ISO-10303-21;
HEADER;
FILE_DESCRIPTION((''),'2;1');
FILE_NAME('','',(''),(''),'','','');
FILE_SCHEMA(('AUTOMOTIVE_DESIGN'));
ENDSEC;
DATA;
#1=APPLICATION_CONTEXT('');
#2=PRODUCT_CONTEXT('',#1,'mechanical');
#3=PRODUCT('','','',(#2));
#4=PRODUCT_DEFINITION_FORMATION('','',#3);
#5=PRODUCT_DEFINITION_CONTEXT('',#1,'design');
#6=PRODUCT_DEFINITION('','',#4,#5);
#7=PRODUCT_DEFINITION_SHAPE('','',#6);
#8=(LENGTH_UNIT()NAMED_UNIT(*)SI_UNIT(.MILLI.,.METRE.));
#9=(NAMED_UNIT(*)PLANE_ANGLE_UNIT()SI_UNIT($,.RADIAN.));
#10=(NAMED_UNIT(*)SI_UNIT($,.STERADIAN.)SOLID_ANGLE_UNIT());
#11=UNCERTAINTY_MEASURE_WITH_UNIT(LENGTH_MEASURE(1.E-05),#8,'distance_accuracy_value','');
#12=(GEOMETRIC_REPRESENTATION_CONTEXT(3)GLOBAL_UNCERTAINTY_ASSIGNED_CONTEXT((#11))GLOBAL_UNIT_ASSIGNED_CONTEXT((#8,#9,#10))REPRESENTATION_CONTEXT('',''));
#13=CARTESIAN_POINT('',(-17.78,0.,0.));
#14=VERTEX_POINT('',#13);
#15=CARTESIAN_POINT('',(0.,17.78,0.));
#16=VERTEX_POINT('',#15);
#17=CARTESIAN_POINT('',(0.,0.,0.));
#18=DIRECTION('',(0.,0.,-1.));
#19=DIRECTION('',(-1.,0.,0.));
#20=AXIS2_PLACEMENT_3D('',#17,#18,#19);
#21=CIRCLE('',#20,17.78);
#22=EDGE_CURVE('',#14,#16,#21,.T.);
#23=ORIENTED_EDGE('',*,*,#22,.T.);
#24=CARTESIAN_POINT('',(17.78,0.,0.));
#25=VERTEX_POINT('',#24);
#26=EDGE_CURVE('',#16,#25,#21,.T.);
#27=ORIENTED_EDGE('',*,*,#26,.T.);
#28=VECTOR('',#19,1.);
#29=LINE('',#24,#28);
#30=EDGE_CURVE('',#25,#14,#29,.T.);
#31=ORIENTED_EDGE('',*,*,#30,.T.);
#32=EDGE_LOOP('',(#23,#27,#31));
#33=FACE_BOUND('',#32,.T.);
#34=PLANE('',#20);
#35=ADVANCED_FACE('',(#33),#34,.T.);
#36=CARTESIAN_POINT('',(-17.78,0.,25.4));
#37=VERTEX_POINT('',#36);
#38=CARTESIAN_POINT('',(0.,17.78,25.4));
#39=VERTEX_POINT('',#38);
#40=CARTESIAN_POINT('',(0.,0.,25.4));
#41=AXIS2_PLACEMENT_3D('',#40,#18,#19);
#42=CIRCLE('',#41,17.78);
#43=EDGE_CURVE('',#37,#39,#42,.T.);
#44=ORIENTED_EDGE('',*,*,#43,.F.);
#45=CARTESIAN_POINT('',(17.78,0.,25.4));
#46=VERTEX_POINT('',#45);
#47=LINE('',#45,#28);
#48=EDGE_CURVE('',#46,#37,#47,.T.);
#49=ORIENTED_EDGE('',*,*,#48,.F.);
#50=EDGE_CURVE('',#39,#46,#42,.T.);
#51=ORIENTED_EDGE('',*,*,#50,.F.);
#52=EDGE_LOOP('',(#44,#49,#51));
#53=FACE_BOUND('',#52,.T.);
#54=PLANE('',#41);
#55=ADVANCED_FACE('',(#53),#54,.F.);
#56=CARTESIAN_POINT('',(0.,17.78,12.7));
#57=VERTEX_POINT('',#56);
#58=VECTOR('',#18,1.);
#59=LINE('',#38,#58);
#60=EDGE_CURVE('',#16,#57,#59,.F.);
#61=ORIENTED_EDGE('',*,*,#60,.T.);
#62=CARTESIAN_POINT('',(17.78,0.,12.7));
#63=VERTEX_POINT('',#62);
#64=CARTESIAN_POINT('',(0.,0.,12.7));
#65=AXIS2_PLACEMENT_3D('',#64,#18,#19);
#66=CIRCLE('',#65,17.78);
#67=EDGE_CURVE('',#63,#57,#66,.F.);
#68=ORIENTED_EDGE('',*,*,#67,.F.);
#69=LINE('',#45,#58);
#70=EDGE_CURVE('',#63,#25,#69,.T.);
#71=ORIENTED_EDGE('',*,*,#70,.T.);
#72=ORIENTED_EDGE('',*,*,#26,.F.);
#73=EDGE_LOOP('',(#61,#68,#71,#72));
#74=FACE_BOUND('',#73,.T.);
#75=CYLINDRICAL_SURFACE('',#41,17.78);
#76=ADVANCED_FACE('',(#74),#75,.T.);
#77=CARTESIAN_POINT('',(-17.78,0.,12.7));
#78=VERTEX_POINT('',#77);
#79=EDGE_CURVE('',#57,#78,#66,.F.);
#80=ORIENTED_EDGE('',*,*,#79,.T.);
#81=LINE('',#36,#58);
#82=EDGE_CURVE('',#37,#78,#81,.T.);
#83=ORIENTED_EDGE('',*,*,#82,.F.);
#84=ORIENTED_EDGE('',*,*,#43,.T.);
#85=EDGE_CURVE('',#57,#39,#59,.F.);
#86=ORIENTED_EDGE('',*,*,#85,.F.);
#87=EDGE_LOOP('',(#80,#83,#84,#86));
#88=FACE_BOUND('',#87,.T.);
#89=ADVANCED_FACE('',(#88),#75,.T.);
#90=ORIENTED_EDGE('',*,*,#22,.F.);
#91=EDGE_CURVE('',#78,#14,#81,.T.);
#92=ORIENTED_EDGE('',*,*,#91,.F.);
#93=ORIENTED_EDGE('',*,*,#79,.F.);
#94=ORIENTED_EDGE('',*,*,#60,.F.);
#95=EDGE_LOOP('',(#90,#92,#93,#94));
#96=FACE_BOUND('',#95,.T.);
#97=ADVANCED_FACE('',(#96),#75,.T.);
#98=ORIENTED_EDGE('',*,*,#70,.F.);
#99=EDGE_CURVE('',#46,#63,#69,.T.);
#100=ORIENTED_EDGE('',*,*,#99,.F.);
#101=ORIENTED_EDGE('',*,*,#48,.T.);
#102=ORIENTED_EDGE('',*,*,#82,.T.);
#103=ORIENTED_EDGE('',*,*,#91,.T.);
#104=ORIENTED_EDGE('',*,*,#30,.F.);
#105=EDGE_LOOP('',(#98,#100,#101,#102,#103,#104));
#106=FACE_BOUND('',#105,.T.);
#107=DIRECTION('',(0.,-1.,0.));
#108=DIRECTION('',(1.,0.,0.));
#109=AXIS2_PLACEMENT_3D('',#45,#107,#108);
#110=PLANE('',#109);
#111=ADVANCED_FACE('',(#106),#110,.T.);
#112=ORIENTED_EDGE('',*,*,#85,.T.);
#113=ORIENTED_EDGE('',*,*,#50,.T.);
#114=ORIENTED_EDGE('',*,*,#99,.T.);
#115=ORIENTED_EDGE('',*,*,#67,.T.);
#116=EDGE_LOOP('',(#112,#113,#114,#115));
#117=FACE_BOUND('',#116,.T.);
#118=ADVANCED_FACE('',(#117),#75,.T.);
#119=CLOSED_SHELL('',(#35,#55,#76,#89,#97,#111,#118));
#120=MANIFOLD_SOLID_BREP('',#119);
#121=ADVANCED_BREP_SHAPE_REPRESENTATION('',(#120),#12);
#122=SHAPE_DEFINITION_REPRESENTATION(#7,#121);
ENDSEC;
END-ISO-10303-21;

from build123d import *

# Parameters (mm, degrees)
BASE_EXTRUDE_DEPTH = 25.4


with BuildPart() as part:
    # Sketch1 → Base-Extrude (new body)
    with BuildSketch(Plane.XY):
        with BuildLine():
            Line((17.78, 0), (-17.78, 0))
            ThreePointArc((-17.78, 0), (0, 17.78), (17.78, 0))
        make_face()
    extrude(amount=BASE_EXTRUDE_DEPTH)


solid = part.part
